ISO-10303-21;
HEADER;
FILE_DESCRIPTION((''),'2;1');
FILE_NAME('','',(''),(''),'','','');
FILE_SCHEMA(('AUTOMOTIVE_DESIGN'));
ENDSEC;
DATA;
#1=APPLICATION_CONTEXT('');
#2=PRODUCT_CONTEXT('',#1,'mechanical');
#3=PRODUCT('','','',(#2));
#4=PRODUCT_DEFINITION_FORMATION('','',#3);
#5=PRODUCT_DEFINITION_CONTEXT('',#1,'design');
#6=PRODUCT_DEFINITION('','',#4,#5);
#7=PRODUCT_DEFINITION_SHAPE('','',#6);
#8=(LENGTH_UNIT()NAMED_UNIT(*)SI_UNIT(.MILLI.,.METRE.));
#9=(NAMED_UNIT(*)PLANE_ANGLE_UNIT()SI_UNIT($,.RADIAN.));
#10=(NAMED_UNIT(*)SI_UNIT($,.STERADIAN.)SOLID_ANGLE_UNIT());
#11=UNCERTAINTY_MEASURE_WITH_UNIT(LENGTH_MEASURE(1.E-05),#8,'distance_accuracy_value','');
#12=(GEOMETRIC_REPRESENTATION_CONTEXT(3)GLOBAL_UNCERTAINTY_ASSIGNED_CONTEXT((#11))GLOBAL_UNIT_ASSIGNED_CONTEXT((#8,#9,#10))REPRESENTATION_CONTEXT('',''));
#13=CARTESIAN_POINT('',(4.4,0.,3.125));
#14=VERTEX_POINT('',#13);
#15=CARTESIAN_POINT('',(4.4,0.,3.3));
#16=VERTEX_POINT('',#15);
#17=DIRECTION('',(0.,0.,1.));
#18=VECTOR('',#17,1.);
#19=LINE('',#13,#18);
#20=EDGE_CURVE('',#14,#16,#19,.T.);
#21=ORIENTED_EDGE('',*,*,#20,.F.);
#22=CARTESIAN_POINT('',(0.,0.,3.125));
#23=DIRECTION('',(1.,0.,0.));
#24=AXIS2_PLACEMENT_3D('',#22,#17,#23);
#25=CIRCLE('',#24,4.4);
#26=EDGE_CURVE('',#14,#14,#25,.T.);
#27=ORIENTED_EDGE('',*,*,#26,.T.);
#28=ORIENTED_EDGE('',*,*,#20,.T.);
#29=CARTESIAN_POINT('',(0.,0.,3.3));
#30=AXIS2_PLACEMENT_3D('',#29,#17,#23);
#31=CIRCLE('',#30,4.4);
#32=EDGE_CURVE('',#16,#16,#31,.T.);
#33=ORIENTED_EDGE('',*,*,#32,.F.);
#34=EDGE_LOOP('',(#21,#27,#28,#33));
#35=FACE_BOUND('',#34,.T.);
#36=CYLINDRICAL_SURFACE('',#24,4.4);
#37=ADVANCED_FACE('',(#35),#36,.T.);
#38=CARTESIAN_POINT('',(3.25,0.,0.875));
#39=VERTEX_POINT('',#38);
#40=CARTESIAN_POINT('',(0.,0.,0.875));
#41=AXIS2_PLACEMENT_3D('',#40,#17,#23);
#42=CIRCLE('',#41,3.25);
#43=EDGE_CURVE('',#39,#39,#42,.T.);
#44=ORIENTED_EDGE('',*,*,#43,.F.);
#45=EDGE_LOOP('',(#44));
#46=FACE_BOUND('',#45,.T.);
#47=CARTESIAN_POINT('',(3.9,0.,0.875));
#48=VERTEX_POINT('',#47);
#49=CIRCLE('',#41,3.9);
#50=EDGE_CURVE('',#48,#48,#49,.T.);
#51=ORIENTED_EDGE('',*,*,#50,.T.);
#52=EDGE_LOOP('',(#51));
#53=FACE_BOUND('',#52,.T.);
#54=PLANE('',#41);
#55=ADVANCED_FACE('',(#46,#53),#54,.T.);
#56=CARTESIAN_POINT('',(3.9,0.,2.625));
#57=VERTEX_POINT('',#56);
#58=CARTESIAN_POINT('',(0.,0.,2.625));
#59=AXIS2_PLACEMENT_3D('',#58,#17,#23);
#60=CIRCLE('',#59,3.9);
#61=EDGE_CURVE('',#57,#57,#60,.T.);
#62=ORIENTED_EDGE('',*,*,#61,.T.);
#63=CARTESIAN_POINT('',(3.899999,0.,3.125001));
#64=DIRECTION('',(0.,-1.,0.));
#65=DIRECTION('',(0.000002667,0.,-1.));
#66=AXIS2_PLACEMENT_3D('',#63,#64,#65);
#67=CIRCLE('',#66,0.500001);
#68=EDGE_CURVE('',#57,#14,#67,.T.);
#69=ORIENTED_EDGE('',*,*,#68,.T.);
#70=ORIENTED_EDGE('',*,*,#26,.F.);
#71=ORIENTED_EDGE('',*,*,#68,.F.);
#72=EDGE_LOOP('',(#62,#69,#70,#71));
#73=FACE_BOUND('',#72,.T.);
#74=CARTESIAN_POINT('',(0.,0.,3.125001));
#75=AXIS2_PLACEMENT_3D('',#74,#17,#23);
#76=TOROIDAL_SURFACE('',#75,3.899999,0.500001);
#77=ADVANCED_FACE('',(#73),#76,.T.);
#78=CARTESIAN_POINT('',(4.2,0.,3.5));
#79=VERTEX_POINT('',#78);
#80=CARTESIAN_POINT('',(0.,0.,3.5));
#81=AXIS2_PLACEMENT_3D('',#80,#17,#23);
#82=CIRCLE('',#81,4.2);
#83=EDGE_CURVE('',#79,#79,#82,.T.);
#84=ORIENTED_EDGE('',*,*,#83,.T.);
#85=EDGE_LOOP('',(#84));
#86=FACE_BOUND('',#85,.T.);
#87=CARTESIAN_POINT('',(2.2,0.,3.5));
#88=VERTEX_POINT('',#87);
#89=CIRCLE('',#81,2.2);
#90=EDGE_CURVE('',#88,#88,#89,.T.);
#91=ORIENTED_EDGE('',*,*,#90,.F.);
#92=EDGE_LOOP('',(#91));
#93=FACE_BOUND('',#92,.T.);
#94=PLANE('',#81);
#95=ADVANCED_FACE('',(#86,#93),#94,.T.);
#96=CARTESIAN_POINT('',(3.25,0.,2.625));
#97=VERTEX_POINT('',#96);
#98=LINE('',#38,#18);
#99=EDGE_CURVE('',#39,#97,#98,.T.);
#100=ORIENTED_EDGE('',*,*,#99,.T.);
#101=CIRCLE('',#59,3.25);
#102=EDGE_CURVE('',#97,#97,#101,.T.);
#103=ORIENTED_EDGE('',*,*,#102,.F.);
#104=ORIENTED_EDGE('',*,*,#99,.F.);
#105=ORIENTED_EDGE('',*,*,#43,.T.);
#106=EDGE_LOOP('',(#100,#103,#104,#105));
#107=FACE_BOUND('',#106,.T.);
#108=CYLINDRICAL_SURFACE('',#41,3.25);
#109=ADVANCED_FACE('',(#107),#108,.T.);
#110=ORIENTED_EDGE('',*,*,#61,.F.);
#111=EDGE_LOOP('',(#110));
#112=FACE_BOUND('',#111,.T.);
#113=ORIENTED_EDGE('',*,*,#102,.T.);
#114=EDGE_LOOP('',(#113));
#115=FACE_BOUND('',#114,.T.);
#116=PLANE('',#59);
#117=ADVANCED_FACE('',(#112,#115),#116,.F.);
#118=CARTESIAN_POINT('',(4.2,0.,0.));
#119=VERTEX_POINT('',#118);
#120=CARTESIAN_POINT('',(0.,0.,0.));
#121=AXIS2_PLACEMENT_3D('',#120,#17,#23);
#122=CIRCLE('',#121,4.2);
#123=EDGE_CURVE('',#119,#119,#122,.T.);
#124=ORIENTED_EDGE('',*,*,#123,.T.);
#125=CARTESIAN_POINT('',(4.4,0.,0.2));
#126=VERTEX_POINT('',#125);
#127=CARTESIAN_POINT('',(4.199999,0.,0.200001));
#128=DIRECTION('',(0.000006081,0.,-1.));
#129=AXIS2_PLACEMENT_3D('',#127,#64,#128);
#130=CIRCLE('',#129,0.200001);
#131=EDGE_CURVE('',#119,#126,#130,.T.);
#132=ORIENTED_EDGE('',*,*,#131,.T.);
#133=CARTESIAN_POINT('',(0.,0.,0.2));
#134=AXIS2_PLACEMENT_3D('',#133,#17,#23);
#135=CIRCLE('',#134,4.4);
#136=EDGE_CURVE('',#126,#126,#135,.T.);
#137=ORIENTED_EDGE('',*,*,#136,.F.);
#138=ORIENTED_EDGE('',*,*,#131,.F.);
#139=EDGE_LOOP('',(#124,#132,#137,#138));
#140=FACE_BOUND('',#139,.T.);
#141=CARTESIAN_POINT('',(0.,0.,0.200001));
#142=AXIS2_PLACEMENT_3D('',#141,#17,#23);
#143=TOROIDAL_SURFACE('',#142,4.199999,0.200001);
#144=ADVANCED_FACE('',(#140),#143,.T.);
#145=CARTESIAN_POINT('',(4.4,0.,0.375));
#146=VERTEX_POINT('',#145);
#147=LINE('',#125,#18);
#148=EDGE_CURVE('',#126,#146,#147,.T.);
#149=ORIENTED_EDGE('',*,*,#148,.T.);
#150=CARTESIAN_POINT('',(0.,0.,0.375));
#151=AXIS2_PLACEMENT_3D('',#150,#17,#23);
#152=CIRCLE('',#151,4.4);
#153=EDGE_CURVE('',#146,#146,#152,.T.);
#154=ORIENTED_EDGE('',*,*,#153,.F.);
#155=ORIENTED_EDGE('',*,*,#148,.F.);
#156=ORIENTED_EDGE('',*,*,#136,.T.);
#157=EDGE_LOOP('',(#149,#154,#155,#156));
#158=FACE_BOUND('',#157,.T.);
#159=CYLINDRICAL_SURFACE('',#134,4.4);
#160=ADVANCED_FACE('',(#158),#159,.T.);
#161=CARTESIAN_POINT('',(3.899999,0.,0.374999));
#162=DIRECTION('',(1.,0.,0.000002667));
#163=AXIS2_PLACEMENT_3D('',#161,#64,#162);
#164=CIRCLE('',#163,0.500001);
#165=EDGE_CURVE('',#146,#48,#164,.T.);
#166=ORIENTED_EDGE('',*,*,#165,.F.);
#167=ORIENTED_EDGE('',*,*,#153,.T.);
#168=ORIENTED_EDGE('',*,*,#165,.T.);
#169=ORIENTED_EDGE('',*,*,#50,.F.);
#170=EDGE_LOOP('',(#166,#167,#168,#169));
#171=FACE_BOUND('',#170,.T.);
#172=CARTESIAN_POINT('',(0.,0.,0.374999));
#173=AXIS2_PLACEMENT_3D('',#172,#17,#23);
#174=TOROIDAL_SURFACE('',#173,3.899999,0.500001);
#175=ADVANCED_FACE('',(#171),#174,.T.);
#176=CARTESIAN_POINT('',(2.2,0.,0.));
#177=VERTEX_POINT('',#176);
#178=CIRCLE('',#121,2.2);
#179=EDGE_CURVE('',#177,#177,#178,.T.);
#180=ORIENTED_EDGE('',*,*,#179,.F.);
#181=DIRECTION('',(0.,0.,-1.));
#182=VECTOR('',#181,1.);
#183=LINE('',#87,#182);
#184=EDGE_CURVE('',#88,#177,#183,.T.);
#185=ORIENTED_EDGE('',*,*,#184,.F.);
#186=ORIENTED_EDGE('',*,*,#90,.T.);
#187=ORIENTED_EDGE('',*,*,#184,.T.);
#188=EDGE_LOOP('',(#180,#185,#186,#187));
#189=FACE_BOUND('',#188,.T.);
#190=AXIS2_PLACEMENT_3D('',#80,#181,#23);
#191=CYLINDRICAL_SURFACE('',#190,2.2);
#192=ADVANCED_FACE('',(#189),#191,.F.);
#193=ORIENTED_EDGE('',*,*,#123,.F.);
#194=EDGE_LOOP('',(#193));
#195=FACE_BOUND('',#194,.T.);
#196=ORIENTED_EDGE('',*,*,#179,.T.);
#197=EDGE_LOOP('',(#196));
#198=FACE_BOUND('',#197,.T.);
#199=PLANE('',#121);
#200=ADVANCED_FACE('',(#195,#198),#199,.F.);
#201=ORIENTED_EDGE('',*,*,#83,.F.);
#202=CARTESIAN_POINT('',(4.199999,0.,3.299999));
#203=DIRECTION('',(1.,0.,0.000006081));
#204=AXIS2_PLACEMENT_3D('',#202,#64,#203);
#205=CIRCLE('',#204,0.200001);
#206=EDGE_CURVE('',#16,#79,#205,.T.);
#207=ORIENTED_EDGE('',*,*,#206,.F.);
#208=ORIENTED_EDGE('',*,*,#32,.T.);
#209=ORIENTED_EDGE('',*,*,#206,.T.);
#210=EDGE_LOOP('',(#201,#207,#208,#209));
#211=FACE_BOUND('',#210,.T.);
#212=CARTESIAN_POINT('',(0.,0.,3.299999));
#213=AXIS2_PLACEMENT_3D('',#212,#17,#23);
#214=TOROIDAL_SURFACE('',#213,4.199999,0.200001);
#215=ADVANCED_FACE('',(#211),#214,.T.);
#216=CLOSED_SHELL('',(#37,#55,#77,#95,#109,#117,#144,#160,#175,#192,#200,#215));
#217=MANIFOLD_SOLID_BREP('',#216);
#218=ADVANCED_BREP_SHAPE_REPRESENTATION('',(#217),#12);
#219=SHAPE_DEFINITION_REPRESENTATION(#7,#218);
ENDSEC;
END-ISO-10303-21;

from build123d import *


with BuildPart() as f1:
    # F0 (on Front) → F1 (revolve)
    with BuildSketch(Plane.XZ):
        with BuildLine():
            ThreePointArc((4.4, 3.3), (4.341421, 3.441421), (4.2, 3.5))
            Line((4.2, 3.5), (2.2, 3.5))
            Line((2.2, 3.5), (2.2, 0))
            Line((2.2, 0), (4.2, 0))
            ThreePointArc((4.2, 0), (4.341421, 0.058579), (4.4, 0.2))
            Line((4.4, 0.2), (4.4, 0.375))
            ThreePointArc((4.4, 0.375), (4.253553, 0.728553), (3.9, 0.875))
            Line((3.9, 0.875), (3.25, 0.875))
            Line((3.25, 0.875), (3.25, 2.625))
            Line((3.25, 2.625), (3.9, 2.625))
            ThreePointArc((3.9, 2.625), (4.253553, 2.771447), (4.4, 3.125))
            Line((4.4, 3.125), (4.4, 3.3))
        make_face()
    revolve(axis=Axis((0, 0, 1.683479), (0, 0, 1)))


solid = f1.part
